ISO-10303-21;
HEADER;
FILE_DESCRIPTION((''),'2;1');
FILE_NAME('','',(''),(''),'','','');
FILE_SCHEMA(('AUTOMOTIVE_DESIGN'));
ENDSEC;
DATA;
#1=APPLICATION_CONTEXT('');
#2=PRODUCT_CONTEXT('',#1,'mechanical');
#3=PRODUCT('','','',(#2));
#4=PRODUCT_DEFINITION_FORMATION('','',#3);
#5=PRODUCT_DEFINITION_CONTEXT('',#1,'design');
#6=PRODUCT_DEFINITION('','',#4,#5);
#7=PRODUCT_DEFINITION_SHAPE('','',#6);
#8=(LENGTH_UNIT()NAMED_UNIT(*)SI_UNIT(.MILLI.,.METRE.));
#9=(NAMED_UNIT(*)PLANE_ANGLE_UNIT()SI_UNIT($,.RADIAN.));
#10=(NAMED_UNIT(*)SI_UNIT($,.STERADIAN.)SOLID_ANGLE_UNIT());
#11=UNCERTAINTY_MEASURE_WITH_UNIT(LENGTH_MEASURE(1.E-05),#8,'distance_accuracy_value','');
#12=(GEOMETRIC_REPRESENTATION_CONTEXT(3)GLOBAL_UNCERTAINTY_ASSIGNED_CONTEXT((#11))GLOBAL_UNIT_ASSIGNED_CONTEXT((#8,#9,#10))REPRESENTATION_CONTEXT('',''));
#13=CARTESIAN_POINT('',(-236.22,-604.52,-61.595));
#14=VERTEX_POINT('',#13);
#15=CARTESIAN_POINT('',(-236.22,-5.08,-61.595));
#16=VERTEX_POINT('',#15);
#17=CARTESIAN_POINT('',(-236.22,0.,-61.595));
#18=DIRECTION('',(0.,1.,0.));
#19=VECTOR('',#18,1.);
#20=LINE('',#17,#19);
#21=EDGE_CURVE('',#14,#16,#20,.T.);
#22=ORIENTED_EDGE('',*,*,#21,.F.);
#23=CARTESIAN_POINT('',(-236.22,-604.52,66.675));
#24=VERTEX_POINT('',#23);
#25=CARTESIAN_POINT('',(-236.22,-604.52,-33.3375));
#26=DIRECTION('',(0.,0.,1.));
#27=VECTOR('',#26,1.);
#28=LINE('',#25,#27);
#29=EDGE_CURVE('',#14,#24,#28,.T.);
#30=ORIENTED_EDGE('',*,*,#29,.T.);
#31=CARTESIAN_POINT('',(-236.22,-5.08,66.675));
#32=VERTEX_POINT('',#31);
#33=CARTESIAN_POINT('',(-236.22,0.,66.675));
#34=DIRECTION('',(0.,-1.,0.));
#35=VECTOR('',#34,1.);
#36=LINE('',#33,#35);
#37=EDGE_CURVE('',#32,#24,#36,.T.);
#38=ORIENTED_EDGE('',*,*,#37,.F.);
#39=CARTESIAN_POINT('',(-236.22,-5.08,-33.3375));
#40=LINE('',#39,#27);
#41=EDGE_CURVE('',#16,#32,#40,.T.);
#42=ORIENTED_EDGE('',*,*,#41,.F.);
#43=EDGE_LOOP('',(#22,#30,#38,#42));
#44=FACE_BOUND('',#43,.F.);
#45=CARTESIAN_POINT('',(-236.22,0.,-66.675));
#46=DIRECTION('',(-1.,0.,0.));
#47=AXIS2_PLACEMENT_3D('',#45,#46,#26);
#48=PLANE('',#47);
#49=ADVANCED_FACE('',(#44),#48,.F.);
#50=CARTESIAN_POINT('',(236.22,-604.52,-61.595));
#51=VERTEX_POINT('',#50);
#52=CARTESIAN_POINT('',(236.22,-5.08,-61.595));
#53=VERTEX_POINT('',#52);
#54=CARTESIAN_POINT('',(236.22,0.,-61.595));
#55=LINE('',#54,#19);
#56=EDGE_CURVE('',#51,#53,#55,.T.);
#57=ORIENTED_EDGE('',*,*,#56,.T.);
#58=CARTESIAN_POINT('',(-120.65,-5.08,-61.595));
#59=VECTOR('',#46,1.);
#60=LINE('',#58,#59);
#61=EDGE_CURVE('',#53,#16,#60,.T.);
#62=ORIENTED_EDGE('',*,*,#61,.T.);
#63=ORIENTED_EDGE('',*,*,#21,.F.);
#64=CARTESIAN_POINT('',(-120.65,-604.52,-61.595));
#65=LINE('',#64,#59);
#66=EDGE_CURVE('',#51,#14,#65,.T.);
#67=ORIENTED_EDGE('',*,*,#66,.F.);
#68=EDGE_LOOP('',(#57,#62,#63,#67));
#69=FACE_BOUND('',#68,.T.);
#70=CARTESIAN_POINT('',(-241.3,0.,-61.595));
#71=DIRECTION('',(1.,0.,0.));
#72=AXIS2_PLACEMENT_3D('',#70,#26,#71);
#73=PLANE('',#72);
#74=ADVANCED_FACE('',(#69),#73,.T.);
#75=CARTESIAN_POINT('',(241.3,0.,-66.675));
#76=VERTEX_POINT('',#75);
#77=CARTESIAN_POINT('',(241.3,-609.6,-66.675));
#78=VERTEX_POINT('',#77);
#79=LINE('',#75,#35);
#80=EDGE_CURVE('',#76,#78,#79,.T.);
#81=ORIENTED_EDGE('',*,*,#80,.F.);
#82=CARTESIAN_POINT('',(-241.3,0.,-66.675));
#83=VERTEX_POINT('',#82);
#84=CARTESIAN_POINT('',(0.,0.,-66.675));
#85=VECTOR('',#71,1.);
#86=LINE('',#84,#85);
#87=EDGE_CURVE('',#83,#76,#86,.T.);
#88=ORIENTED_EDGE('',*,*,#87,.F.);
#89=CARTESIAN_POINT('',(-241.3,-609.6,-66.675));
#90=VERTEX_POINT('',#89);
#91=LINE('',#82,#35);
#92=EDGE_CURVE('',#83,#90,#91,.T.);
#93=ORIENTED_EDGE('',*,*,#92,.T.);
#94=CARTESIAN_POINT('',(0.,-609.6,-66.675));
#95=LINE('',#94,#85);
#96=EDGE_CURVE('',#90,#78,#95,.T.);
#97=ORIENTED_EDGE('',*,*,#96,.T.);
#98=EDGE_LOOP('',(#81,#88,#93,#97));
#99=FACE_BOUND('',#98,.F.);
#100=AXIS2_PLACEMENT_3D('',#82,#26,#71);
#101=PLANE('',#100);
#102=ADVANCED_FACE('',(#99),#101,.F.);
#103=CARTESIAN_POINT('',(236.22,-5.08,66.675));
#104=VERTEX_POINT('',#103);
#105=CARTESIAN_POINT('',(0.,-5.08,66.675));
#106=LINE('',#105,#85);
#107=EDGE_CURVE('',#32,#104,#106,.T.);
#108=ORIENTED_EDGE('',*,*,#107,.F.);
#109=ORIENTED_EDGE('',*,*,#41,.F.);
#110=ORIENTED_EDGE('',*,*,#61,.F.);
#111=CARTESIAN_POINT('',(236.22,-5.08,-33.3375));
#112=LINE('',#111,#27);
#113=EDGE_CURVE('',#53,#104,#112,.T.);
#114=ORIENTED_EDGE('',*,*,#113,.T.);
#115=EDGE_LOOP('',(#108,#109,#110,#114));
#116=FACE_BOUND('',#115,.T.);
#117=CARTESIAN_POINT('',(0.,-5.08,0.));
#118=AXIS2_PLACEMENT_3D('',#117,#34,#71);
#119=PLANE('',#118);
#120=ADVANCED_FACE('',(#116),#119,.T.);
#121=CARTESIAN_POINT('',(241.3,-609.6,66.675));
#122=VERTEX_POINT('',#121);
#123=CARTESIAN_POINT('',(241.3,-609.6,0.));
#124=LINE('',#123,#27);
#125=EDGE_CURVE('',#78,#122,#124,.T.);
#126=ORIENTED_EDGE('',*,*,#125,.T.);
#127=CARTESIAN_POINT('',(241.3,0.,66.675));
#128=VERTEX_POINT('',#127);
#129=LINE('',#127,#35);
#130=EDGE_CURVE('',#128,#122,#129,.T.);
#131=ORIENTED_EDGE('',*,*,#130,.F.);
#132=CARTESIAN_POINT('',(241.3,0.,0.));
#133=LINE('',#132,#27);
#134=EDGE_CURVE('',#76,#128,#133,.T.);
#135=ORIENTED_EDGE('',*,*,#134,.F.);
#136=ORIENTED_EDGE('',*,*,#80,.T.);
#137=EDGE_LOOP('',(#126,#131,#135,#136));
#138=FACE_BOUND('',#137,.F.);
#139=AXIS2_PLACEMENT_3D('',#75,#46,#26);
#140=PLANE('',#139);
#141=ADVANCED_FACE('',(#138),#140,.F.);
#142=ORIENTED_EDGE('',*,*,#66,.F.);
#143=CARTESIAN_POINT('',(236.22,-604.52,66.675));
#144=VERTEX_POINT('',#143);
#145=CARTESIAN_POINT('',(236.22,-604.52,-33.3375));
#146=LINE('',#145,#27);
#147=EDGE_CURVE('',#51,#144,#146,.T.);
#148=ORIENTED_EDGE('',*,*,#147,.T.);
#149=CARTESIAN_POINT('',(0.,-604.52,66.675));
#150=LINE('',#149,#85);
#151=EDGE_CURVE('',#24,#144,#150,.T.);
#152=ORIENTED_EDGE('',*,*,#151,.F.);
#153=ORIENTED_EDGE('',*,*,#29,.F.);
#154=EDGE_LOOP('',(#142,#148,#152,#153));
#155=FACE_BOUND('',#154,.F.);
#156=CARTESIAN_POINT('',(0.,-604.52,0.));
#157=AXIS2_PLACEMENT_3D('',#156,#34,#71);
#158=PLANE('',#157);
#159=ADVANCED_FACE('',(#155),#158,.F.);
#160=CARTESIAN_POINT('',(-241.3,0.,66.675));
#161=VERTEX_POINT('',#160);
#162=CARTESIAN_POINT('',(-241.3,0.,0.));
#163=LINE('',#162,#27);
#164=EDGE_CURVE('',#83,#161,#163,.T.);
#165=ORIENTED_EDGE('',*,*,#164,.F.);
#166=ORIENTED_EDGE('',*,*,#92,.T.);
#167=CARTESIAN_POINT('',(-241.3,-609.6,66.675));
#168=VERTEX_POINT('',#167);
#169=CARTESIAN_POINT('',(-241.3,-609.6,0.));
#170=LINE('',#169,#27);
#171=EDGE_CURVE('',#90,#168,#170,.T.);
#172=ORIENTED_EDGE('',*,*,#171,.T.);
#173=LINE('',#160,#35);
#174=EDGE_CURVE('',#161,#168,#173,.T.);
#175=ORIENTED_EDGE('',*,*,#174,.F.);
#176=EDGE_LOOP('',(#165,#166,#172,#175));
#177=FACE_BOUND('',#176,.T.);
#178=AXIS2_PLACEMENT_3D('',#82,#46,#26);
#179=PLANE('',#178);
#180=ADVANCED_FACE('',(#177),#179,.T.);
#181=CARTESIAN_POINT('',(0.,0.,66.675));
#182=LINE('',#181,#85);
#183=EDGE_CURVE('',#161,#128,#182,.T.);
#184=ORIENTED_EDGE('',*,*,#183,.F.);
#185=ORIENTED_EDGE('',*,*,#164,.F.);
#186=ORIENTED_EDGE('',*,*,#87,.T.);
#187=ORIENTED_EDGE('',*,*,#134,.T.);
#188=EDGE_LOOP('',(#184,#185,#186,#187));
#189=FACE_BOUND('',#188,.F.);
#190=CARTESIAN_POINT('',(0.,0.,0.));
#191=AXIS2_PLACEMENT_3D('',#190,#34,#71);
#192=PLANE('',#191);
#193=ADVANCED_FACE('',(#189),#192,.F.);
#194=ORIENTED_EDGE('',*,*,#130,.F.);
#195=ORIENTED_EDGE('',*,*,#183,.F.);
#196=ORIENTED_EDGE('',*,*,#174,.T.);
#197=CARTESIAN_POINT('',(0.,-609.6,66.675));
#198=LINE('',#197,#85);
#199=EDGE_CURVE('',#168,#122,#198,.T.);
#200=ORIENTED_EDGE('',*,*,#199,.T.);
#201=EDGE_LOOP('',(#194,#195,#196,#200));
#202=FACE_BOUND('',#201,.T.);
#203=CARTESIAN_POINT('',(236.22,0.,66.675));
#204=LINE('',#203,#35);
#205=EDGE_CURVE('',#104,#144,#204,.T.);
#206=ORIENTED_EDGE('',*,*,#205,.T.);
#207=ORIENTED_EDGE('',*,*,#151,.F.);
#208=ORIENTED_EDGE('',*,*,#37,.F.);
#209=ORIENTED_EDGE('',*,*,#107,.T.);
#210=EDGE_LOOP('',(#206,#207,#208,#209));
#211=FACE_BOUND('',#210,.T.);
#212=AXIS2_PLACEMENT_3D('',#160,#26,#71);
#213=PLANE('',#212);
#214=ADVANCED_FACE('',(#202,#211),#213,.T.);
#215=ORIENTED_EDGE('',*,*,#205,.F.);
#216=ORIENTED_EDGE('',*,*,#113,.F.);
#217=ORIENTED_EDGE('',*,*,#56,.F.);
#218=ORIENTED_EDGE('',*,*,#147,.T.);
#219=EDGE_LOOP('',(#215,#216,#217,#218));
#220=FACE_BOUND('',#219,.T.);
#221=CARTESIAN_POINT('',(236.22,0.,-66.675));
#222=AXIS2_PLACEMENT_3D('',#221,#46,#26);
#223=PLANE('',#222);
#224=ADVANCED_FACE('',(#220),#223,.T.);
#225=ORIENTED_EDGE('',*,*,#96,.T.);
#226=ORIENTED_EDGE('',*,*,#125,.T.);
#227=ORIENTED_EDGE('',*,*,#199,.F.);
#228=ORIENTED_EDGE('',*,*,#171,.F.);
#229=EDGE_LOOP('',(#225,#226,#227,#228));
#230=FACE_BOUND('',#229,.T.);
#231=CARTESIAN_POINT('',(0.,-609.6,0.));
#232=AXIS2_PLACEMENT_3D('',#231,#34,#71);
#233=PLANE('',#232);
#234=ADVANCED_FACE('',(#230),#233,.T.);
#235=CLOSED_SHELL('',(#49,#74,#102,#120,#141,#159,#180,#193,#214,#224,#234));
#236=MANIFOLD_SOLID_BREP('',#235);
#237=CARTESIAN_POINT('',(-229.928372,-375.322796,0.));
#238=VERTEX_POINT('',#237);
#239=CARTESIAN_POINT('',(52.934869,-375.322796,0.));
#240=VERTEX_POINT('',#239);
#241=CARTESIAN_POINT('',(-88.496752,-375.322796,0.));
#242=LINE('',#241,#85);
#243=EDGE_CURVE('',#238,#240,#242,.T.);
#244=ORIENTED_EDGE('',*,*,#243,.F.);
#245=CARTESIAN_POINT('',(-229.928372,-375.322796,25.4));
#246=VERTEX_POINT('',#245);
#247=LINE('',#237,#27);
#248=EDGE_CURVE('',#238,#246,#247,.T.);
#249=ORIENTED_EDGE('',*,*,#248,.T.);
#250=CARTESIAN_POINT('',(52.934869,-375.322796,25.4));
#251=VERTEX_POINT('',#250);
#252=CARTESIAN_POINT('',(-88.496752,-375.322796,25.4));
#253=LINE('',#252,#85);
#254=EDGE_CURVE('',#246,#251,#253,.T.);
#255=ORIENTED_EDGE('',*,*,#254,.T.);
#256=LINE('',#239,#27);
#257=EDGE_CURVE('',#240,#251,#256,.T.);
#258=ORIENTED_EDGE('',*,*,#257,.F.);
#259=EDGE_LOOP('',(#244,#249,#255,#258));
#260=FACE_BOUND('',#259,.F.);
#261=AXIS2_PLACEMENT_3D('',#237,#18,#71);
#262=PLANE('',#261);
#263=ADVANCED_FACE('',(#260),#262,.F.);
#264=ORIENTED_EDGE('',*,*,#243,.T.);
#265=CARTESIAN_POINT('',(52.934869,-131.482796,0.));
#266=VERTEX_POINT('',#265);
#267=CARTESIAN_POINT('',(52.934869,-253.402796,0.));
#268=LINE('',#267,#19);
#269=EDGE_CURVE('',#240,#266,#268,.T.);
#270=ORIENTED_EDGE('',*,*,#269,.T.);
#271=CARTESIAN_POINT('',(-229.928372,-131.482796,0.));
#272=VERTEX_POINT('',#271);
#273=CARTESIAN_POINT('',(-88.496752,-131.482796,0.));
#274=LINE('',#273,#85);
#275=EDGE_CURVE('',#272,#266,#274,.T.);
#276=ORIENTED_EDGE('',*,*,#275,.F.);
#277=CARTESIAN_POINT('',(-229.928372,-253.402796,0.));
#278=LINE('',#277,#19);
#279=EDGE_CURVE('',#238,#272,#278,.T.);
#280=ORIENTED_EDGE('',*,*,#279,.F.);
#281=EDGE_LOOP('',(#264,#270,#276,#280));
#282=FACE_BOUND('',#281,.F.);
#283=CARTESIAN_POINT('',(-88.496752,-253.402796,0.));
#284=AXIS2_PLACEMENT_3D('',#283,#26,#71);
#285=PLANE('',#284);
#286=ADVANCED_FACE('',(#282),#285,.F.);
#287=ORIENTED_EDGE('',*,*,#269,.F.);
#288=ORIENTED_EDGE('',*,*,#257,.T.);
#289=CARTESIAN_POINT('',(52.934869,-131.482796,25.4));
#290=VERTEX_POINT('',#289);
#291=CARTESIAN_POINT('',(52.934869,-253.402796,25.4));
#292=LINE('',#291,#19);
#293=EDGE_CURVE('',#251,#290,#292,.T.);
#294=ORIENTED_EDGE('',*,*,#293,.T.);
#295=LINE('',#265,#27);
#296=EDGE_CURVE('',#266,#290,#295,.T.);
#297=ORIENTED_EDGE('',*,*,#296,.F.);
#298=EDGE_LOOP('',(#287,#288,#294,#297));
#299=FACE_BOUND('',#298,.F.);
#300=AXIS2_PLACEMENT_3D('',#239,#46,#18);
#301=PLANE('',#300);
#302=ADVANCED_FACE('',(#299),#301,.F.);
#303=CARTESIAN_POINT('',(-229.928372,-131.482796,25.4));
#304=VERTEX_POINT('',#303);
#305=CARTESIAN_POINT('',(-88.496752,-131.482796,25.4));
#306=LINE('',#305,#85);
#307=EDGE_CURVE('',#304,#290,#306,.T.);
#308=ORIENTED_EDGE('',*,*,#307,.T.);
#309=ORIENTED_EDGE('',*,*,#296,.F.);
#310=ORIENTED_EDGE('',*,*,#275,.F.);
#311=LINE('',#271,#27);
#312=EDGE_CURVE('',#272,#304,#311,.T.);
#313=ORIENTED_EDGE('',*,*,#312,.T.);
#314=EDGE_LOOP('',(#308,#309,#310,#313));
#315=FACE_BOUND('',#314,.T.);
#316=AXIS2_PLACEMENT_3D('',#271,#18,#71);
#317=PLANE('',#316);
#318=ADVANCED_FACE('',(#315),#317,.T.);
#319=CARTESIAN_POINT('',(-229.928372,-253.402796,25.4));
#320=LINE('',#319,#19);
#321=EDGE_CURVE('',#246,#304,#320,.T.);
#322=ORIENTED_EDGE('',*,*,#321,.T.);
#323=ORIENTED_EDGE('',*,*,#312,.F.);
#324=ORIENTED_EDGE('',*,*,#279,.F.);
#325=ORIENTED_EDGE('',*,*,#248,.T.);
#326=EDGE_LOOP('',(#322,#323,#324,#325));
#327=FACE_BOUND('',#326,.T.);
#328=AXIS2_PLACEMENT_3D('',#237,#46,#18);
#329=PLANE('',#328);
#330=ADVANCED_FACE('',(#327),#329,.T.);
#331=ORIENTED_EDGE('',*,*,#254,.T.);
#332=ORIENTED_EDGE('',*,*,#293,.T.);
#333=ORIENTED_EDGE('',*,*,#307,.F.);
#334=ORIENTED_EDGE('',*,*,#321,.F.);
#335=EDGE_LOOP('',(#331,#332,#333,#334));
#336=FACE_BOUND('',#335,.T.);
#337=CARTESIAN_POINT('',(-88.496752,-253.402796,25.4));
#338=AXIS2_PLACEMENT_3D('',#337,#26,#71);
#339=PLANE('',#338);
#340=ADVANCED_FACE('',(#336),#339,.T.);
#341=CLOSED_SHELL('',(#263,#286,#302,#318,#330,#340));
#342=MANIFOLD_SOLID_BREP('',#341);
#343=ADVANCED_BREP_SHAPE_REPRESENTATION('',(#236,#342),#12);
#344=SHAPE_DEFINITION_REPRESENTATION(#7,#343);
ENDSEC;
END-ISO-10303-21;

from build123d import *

# Parameters (mm, degrees)
F0_W     = 482.6
F0_H     = 133.35
F1_DEPTH = 609.6
F2_W     = 282.863241
F2_H     = 243.84
F3_DEPTH = 25.4
F4_T     = -5.08


with BuildPart() as f1:
    # F0 (on Front) → F1 (new body)
    with BuildSketch(Plane.XZ):
        Rectangle(F0_W, F0_H)
    extrude(amount=F1_DEPTH)

    # F4
    f4_openings = [f1.faces().sort_by_distance(p)[0] for p in [
        (0, -304.8, 66.675),
    ]]
    offset(amount=F4_T, openings=f4_openings)


with BuildPart() as f3:
    # F2 (on Top) → F3 (new body)
    with BuildSketch(Plane.XY):
        with Locations((-88.496752, -253.402796)):
            Rectangle(F2_W, F2_H)
    extrude(amount=F3_DEPTH)


solid = Compound([f1.part, f3.part])
